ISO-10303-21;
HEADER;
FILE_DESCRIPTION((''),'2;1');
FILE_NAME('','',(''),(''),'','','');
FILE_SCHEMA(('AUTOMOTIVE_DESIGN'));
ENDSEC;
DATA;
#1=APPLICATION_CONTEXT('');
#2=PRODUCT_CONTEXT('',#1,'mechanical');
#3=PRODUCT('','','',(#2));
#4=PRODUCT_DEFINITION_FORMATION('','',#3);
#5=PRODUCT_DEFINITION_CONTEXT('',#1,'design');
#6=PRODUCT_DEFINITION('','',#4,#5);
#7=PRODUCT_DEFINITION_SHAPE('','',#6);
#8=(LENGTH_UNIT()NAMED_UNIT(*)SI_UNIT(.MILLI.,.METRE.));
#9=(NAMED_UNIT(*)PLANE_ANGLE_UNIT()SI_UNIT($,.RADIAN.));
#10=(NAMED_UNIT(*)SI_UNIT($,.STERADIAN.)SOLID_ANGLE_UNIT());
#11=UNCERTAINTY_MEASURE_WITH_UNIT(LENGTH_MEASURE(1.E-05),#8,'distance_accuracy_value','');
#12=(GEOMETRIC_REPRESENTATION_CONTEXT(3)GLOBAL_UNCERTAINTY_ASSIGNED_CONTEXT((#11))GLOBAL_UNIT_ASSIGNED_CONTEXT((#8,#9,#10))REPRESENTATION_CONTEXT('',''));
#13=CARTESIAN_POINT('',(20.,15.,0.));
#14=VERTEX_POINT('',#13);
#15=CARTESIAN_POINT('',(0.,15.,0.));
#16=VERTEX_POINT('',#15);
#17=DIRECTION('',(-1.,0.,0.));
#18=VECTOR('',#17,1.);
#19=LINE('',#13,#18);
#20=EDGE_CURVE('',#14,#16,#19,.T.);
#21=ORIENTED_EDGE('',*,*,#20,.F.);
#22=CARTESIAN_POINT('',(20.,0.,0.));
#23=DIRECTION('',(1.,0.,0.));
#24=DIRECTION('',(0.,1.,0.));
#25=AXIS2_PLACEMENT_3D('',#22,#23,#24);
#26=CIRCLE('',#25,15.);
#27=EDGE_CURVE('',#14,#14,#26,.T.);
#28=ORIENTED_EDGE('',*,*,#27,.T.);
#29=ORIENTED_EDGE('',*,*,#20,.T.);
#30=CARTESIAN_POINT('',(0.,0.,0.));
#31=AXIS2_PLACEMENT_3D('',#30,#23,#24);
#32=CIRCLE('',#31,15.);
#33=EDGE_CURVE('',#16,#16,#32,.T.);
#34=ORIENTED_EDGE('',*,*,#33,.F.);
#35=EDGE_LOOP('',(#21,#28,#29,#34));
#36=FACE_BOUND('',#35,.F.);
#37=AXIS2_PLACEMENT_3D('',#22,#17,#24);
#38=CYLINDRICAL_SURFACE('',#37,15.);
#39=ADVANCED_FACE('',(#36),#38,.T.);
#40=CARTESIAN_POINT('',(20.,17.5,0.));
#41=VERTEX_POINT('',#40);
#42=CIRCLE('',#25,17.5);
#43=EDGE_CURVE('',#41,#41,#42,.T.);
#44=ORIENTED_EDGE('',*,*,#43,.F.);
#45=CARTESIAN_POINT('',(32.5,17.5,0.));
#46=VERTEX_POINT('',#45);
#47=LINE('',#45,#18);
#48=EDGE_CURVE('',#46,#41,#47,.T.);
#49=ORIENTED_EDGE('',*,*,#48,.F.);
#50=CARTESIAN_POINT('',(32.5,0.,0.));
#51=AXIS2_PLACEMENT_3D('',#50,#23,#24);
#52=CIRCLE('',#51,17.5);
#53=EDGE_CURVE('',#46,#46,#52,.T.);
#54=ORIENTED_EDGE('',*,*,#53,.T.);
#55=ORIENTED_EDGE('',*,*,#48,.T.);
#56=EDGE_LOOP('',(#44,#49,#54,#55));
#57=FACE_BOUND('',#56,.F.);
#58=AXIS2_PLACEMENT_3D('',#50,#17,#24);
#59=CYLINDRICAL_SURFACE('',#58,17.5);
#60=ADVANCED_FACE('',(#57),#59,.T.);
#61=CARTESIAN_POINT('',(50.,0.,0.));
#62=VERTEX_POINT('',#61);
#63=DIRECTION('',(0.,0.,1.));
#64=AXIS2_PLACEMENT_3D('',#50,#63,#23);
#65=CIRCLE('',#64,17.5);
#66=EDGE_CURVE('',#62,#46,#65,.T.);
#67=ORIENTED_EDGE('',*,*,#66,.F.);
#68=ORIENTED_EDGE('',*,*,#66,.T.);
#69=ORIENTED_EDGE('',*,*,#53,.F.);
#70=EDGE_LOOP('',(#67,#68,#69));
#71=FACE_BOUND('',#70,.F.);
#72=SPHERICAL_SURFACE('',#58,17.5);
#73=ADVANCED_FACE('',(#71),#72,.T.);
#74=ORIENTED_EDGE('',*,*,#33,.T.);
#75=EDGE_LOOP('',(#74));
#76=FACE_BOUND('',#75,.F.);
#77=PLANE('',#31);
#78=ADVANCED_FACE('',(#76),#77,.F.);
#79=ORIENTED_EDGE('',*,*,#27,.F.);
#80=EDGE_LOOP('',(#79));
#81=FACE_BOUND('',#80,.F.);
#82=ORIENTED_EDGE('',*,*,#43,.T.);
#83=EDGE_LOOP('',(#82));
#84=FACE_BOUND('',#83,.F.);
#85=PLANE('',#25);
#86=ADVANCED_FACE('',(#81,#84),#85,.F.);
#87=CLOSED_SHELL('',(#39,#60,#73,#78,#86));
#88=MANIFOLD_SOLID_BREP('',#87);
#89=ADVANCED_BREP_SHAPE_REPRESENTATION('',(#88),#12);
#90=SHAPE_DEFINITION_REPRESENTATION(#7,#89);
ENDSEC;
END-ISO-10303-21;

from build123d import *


with BuildPart() as part:
    # Croquis1 → Revolución1 (revolve)
    with BuildSketch(Plane.XY):
        with BuildLine():
            Line((0, 0), (50, 0))
            ThreePointArc((50, 0), (44.874368671, 12.374368671), (32.5, 17.5))
            Line((32.5, 17.5), (20, 17.5))
            Line((20, 17.5), (20, 15))
            Line((20, 15), (0, 15))
            Line((0, 15), (0, 0))
        make_face()
    revolve(axis=Axis((0, 0, 0), (1, 0, 0)))


solid = part.part
